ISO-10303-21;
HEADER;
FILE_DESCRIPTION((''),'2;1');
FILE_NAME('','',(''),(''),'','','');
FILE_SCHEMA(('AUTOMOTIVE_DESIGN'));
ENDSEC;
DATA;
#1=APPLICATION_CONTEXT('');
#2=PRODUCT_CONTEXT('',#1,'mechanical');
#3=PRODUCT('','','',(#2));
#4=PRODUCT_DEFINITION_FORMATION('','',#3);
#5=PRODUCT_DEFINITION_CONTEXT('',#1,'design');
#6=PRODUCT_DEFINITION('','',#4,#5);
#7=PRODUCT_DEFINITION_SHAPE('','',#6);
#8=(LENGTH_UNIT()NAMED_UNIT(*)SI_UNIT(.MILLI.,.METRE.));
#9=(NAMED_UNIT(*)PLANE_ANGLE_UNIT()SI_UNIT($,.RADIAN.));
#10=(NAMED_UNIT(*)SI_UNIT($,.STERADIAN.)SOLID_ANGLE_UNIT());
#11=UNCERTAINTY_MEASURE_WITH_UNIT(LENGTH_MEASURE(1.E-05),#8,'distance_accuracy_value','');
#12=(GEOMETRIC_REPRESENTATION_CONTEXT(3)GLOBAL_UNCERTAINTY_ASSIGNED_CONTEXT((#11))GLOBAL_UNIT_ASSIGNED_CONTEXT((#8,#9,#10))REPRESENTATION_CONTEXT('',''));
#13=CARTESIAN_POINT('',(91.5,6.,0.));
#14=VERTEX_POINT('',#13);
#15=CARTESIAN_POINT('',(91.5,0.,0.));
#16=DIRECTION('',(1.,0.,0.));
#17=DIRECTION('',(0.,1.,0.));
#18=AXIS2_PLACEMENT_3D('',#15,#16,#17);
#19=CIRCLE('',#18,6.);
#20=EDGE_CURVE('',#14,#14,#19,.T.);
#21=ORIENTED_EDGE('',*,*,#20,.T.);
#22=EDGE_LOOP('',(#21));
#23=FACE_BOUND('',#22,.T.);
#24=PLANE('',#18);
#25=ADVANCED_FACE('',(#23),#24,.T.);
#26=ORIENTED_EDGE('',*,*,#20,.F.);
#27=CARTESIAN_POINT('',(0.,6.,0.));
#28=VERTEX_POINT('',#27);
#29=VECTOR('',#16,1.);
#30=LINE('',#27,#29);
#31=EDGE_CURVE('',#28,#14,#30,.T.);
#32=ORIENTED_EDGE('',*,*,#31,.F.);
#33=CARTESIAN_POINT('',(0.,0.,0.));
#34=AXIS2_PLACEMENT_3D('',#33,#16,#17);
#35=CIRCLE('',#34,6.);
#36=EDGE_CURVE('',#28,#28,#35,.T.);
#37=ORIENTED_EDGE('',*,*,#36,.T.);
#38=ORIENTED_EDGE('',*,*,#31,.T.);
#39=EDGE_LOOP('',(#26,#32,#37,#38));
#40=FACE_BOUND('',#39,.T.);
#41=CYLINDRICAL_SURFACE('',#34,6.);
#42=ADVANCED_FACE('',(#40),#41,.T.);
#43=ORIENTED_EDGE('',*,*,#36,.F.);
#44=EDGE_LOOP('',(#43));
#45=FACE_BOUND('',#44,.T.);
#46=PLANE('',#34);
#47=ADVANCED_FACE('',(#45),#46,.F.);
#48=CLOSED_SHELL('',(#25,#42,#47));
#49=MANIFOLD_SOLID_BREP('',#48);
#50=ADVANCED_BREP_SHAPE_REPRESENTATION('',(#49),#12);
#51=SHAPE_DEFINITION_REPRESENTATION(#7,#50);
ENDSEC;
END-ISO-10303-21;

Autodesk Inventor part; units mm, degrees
ref_plane "Plan de départ" through (0, 0, 0) normal (1, 0, 0) x (0, 1, 0)
ref_plane "XY Plane" through (0, 0, 0) normal (0, 0, 1) x (1, 0, 0)
sketch "Esquisse principale" plane through (0, 0, 0) normal (0, 0, 1) x (1, 0, 0)
  line L0 (0, 0) -> (91.5, 0)
  line L1 (0, 0) -> (0, 6)
  line L2 (91.5, 6) -> (91.5, 0)
  line L3 (0, 6) -> (91.5, 6)
  dimension "d3" = 12
revolve "Révolution1" add sketch "Esquisse principale" angle 360 about axis through (0, 0, 0) along (1, 0, 0)
equation "\"Length\" = 91.5"
properties part number "ArbreFrein" material "Steel"
